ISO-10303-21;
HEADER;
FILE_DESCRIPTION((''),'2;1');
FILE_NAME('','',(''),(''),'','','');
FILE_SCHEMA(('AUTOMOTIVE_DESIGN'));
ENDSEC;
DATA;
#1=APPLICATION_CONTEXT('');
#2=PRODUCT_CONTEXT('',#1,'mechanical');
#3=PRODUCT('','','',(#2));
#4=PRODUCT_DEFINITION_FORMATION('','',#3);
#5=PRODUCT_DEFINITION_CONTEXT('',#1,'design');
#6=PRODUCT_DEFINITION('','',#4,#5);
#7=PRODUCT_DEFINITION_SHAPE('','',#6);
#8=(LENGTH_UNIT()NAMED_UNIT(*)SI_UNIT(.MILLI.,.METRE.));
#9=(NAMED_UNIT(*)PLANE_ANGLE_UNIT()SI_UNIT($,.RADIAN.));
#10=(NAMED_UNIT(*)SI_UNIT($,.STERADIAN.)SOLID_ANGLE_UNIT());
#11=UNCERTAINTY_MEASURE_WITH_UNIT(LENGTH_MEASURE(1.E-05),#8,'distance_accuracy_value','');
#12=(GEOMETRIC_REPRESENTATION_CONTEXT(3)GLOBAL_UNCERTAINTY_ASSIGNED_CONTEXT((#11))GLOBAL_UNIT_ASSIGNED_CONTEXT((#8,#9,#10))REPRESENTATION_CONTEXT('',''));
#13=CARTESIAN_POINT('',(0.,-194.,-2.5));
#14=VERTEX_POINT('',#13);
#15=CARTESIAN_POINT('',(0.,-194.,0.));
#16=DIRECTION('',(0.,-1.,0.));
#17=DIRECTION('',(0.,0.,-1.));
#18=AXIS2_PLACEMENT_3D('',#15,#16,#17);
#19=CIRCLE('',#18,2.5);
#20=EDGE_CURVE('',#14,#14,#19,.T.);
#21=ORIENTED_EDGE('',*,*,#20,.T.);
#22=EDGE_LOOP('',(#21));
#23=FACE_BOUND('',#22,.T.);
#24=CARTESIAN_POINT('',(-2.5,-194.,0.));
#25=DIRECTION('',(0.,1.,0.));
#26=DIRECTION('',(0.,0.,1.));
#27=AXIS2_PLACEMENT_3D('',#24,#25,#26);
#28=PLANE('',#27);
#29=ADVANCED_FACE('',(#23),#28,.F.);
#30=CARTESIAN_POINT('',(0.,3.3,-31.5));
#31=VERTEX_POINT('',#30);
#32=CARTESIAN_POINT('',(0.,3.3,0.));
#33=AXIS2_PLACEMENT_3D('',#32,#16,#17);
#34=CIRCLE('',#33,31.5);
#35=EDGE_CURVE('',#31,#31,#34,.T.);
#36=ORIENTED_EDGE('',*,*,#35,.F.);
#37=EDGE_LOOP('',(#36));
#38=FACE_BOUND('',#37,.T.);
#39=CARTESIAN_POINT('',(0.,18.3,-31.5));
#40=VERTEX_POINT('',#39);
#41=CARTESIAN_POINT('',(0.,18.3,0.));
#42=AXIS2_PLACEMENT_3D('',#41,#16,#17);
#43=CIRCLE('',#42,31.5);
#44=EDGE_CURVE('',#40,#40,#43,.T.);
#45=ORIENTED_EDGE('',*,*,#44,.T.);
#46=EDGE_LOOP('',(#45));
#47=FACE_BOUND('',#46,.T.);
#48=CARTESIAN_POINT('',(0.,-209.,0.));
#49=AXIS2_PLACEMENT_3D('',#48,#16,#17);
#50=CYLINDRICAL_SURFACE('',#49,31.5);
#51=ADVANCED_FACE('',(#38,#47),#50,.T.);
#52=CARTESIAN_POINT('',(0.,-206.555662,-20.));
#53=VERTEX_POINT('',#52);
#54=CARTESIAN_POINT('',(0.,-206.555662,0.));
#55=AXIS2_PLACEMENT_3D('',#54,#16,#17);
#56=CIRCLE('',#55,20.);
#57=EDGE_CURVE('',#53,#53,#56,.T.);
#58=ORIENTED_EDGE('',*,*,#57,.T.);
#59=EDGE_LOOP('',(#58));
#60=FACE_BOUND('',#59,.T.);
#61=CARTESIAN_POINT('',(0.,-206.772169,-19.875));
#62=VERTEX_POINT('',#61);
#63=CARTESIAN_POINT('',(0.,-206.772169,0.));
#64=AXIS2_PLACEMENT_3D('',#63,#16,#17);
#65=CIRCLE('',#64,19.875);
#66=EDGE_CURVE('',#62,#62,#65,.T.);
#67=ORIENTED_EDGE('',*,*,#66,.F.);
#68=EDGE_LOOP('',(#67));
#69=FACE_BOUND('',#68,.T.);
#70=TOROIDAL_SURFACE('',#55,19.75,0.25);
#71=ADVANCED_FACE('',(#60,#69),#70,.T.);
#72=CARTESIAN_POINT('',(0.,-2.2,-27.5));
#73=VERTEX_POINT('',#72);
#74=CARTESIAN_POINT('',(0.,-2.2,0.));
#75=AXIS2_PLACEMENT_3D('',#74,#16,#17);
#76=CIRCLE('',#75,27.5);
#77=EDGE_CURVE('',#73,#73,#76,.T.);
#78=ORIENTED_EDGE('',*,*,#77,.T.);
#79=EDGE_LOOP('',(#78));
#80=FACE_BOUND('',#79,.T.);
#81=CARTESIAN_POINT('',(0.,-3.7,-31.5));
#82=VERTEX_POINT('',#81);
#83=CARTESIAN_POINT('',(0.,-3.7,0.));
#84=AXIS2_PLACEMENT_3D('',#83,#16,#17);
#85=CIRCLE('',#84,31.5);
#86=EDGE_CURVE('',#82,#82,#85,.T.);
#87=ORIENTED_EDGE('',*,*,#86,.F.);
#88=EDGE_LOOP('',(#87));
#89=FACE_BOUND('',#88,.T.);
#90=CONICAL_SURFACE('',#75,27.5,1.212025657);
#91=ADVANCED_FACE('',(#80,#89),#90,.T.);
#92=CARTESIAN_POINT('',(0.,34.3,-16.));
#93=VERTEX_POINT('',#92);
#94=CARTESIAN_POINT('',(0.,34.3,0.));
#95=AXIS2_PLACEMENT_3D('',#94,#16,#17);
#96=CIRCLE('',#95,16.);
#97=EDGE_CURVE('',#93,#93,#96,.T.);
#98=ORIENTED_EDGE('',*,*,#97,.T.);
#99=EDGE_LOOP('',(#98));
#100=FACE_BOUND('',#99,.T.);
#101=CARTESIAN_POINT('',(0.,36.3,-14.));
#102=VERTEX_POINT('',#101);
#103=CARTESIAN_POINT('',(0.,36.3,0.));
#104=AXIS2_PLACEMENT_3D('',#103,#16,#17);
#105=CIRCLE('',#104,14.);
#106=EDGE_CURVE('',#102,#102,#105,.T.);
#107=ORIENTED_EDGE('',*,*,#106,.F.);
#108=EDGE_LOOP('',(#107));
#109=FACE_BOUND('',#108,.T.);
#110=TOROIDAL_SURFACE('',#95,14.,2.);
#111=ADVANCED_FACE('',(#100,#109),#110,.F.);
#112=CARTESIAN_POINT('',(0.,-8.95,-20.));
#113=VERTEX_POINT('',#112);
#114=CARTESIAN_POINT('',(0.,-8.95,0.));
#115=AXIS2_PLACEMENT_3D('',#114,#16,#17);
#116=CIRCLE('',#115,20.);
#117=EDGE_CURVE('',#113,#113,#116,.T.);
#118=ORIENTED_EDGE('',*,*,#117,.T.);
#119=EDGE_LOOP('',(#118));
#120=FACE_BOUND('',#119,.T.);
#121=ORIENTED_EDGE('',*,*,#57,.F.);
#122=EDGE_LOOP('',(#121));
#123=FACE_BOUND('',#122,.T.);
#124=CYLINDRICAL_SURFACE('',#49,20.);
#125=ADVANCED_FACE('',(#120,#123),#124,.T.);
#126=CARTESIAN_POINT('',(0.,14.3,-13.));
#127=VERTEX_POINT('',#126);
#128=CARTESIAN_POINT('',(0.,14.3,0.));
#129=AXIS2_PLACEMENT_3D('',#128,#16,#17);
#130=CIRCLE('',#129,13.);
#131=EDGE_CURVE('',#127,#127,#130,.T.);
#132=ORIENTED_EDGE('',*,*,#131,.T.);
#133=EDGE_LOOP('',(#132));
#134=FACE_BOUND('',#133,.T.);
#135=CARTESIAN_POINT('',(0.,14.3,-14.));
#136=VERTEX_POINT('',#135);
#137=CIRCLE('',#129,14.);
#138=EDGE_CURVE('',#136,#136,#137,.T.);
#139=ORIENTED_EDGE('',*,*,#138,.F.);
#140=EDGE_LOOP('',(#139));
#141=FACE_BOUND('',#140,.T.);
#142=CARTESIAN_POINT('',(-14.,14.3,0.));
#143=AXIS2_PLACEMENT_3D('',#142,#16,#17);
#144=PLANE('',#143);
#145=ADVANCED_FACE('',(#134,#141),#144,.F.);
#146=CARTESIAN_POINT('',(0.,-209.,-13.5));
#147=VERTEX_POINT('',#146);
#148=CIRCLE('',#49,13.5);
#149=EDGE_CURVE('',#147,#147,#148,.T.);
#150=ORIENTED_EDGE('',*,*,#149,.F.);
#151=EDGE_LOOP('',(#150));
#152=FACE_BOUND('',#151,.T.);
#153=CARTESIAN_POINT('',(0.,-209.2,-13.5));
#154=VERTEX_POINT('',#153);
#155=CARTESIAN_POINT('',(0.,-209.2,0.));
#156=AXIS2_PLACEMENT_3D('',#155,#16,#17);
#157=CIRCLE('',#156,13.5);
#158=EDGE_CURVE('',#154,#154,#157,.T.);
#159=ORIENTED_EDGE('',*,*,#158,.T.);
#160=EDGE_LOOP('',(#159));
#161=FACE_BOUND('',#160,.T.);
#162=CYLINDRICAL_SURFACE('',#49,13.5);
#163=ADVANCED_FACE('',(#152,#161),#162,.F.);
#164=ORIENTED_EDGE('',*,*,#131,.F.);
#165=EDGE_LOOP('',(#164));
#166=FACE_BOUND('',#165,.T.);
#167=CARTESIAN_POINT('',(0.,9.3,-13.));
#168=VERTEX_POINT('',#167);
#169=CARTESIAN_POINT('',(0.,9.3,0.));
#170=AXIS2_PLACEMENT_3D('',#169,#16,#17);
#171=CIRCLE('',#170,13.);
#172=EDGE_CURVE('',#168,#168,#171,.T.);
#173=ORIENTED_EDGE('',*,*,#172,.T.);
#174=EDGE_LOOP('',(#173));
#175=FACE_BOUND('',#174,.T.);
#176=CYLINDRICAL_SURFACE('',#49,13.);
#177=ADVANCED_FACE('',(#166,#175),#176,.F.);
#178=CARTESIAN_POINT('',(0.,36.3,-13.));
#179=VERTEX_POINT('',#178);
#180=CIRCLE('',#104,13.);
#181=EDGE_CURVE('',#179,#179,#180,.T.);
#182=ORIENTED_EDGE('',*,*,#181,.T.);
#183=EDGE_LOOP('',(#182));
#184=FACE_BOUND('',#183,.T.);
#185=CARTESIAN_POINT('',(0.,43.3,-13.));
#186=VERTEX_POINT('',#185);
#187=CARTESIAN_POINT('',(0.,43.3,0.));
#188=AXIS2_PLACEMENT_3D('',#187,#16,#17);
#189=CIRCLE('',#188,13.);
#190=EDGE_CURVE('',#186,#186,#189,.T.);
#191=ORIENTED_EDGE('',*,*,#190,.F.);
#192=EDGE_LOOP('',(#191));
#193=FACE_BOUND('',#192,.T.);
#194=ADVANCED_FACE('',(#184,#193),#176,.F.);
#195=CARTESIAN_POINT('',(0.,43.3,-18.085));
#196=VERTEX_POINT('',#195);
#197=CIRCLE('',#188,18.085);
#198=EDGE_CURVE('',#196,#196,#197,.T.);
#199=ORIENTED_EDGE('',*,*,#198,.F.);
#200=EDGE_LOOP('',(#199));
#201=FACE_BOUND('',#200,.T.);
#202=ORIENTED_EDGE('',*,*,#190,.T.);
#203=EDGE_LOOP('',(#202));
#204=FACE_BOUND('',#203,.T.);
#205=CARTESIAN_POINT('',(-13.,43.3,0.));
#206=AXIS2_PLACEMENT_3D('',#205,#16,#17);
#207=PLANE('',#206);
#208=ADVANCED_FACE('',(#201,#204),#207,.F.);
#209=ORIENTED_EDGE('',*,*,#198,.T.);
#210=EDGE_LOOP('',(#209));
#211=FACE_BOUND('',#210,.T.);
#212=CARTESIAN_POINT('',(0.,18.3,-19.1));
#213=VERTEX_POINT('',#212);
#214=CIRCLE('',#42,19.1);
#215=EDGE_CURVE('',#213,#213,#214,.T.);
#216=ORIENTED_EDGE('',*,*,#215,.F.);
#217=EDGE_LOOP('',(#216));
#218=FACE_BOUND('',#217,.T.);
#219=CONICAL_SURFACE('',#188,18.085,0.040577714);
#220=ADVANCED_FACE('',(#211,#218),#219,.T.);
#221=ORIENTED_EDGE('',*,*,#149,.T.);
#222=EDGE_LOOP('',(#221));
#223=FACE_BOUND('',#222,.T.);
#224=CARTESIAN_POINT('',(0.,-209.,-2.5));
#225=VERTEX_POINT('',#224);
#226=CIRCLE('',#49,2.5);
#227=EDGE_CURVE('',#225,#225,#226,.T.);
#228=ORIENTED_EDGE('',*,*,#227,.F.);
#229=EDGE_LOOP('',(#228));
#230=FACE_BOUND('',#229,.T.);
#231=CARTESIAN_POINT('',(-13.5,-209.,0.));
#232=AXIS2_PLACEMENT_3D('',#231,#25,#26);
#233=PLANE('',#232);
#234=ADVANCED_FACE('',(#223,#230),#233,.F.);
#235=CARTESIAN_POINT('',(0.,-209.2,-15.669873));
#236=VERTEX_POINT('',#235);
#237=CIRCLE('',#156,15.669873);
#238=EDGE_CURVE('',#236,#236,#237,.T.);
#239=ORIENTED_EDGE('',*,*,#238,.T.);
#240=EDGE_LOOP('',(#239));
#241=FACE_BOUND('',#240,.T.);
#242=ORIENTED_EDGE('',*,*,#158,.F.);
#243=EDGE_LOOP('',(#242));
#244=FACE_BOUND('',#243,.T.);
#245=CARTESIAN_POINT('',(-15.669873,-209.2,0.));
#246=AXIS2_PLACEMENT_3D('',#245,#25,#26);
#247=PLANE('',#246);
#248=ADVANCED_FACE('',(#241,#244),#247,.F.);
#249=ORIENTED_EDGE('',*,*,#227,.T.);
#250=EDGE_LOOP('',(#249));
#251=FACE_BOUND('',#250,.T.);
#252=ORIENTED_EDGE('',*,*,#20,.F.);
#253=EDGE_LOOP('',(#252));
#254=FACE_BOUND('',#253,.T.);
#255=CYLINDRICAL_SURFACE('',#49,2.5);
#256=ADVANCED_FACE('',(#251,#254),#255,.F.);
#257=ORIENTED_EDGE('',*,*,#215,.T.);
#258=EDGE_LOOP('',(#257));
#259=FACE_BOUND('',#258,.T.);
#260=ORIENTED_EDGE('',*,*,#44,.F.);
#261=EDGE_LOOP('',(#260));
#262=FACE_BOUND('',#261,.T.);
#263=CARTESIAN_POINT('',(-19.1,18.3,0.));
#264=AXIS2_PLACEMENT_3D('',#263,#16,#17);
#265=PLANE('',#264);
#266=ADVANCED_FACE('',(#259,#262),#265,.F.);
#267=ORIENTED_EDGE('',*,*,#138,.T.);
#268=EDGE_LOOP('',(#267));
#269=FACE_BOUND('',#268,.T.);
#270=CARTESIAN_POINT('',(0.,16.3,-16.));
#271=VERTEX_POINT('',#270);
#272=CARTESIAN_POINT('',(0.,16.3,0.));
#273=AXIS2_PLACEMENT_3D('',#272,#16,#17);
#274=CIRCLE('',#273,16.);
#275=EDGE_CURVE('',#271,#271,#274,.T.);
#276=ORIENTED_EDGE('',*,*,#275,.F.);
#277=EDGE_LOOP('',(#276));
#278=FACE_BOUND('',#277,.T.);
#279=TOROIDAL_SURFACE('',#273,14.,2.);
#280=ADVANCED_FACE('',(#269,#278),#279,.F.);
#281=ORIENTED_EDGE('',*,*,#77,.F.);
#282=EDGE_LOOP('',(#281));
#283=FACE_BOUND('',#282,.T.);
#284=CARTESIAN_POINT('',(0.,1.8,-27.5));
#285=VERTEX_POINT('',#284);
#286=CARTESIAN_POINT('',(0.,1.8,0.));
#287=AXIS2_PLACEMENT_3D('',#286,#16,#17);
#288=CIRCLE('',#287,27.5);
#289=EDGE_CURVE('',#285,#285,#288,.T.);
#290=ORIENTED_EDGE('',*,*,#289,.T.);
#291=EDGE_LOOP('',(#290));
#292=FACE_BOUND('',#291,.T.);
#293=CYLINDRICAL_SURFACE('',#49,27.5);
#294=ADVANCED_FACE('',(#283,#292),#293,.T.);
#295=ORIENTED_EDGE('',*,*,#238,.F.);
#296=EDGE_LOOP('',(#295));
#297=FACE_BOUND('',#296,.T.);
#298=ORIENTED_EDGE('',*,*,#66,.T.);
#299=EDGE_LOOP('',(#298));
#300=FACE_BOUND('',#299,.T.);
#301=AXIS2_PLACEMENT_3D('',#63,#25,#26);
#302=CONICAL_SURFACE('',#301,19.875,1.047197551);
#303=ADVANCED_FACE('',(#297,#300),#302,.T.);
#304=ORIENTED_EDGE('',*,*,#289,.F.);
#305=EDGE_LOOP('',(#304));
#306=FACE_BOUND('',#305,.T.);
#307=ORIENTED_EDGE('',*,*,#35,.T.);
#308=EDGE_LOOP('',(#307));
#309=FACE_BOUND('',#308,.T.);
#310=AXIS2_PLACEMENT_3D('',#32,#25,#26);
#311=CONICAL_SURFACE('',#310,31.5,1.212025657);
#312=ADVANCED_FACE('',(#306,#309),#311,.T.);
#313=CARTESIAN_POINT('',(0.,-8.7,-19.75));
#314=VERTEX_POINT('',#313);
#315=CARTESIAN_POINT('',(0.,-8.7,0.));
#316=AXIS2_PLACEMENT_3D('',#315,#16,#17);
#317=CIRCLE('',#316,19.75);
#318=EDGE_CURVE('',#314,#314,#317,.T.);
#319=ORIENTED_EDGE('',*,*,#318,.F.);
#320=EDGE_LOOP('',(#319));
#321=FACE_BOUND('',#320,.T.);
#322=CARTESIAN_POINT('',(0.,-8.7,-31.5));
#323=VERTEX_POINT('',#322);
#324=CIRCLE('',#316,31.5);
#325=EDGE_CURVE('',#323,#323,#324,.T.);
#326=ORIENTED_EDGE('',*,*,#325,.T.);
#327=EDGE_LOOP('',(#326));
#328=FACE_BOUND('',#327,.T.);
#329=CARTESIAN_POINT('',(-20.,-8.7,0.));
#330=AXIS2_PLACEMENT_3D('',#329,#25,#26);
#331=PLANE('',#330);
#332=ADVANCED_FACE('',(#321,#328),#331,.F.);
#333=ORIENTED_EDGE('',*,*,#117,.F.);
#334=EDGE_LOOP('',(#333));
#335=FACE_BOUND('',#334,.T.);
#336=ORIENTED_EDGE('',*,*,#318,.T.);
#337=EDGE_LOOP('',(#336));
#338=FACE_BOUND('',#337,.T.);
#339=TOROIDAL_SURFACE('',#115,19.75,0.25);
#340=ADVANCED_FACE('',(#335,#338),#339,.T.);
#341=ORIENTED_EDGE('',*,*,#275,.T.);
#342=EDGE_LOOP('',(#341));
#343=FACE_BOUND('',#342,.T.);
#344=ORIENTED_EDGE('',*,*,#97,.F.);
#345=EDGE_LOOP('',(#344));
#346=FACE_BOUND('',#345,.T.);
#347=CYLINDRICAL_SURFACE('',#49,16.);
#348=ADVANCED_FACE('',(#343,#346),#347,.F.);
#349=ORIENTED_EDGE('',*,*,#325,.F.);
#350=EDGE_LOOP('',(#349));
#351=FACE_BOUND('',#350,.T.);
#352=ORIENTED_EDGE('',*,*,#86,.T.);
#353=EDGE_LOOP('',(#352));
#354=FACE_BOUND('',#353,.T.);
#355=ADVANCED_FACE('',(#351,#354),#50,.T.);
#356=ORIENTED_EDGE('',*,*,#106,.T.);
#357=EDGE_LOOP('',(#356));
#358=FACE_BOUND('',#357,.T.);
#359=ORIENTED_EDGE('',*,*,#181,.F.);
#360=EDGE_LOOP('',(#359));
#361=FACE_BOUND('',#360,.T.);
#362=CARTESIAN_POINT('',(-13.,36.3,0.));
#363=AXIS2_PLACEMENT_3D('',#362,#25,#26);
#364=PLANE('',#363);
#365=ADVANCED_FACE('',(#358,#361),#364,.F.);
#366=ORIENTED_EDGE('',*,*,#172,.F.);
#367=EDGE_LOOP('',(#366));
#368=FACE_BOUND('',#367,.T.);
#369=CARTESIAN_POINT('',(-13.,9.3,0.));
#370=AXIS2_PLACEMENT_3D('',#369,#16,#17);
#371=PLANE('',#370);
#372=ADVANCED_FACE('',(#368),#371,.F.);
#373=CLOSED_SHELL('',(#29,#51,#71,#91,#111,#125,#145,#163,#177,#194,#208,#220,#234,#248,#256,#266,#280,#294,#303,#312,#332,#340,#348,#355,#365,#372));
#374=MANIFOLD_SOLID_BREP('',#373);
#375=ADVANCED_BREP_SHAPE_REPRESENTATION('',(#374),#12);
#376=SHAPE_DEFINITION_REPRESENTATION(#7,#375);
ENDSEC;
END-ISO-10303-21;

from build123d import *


with BuildPart() as part:
    # Sketch1 → Rivoluzione1 (revolve)
    with BuildSketch(Plane.XY):
        with BuildLine():
            Line((-13, 252.3), (-18.085, 252.3))
            Line((-18.085, 252.3), (-19.1, 227.3))
            Line((-19.1, 227.3), (-31.5, 227.3))
            Line((-31.5, 227.3), (-31.5, 212.3))
            Line((-31.5, 212.3), (-27.5, 210.8))
            Line((-27.5, 210.8), (-27.5, 206.8))
            Line((-27.5, 206.8), (-31.5, 205.3))
            Line((-31.5, 205.3), (-31.5, 200.3))
            Line((-31.5, 200.3), (-20, 200.3))
            Line((-20, 200.3), (-19.75, 200.3))
            ThreePointArc((-19.75, 200.3), (-19.926776695, 200.226776695), (-20, 200.05))
            Line((-20, 200.05), (-20, 2.444337567))
            ThreePointArc((-20, 2.444337567), (-19.966506351, 2.319337567), (-19.875, 2.227831216))
            Line((-19.875, 2.227831216), (-15.669872981, -0.2))
            Line((-15.669872981, -0.2), (-13.5, -0.2))
            Line((-13.5, -0.2), (-13.5, 0))
            Line((-13.5, 0), (-2.5, 0))
            Line((-2.5, 0), (-2.5, 15))
            Line((-2.5, 15), (0, 15))
            Line((0, 15), (0, 218.3))
            Line((0, 218.3), (-13, 218.3))
            Line((-13, 218.3), (-13, 223.3))
            Line((-13, 223.3), (-14, 223.3))
            ThreePointArc((-14, 223.3), (-15.414213562, 223.885786438), (-16, 225.3))
            Line((-16, 225.3), (-16, 243.3))
            ThreePointArc((-16, 243.3), (-15.414213562, 244.714213562), (-14, 245.3))
            Line((-14, 245.3), (-13, 245.3))
            Line((-13, 245.3), (-13, 252.3))
        make_face()
    revolve(axis=Axis((0, 0, 0), (0, 1, 0)))


with BuildPart() as part_1:
    # Corpo-Sposta/copia1: moved
    add(part.part.moved(Location((0, -209, 0))))


solid = part_1.part
